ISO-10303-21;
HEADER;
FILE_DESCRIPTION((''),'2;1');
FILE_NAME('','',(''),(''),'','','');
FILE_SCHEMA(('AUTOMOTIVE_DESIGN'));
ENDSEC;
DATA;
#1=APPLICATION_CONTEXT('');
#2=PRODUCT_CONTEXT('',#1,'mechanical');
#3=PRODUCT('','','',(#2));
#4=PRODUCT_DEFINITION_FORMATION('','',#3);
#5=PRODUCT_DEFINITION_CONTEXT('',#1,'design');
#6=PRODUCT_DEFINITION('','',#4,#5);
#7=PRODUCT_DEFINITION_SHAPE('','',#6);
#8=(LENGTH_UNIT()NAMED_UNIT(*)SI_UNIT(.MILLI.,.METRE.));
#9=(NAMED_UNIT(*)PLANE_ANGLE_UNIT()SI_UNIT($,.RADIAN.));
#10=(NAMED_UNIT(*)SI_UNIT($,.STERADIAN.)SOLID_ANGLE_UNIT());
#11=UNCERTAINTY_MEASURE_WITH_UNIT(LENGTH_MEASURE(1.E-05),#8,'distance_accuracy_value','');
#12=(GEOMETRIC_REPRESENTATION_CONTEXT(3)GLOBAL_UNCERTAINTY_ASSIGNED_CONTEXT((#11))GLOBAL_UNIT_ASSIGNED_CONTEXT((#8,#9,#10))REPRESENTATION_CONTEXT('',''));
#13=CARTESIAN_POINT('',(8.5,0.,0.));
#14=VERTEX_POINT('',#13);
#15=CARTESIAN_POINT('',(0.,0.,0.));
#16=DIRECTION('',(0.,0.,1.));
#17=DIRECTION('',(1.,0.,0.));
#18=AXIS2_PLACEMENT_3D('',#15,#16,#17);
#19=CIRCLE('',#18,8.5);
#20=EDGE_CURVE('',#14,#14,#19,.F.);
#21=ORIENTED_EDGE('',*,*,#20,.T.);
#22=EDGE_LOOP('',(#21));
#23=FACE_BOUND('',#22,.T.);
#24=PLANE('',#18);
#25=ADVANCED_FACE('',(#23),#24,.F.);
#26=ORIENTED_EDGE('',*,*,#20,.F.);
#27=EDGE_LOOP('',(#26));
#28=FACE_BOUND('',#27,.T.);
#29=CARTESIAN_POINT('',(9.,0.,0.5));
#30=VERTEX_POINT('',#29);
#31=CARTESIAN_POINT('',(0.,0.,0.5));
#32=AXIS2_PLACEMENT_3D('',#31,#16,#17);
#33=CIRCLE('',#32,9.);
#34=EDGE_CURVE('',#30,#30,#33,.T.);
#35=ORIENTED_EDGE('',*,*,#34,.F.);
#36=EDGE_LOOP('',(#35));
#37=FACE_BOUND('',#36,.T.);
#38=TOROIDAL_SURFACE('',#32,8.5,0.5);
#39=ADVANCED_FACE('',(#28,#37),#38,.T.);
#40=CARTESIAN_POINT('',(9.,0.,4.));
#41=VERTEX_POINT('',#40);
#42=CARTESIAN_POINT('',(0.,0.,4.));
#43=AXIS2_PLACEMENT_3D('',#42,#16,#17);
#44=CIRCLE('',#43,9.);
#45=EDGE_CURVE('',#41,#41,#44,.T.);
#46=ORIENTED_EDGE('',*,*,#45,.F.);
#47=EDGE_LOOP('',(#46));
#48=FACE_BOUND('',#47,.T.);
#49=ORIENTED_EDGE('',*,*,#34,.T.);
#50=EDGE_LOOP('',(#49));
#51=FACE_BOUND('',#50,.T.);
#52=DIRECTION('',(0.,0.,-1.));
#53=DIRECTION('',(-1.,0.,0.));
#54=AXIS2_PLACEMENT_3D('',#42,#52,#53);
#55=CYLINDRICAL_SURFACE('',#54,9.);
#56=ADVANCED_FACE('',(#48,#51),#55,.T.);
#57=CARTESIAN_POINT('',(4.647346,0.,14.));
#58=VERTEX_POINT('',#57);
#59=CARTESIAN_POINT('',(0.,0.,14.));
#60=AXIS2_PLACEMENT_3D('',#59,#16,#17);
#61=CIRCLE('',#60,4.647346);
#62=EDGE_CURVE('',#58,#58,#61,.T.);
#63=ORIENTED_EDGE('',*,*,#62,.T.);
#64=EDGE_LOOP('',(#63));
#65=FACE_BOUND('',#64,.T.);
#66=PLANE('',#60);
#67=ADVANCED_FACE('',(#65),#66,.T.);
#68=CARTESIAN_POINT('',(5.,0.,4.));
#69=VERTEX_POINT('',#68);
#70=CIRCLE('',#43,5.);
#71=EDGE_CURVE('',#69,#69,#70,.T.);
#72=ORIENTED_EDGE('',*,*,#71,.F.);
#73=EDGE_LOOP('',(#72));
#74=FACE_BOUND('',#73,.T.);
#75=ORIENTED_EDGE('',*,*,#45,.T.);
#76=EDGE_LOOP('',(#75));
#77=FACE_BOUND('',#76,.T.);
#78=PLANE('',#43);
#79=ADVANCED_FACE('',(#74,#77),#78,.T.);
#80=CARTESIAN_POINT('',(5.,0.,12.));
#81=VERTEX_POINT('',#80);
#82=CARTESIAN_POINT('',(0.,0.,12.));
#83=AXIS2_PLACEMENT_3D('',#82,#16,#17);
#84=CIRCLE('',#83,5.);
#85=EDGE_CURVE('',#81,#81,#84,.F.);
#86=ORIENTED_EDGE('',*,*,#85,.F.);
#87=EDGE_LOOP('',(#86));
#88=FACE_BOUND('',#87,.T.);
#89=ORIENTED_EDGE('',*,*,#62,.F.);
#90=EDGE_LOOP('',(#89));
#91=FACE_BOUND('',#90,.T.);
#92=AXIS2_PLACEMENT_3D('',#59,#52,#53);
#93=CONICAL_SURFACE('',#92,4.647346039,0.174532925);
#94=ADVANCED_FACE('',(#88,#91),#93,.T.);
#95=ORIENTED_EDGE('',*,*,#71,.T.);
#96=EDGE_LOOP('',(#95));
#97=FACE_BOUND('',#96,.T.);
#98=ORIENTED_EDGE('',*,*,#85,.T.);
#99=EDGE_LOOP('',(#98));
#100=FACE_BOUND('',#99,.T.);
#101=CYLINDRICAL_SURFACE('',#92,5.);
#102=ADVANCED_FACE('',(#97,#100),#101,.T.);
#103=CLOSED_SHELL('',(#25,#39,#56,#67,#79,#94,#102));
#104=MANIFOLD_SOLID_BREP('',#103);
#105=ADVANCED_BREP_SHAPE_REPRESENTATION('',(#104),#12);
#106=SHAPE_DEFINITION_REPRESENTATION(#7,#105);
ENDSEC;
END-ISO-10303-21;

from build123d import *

# Parameters (mm, degrees)
SKETCH_1_R      = 9
EXTRUDE_1_DEPTH = 4
SKETCH_2_R      = 5
EXTRUDE_2_DEPTH = 10
FILLET_1_R      = 0.5
CHAMFER_1_SIZE  = 2
CHAMFER_1_SIZE2 = 0.352653961


with BuildPart() as part:
    # 草图1 → 凸台-拉伸1 (new body)
    with BuildSketch(Plane.XY):
        Circle(SKETCH_1_R)
    extrude(amount=EXTRUDE_1_DEPTH)

    # 草图2 → 凸台-拉伸2 (add)
    with BuildSketch(Plane.XY.offset(4)):
        Circle(SKETCH_2_R)
    extrude(amount=EXTRUDE_2_DEPTH)

    # 圆角1
    fillet_1_edges = [part.edges().sort_by_distance(p)[0] for p in [
        (-9, 0, 0),
    ]]
    fillet(fillet_1_edges, radius=FILLET_1_R)

    # 倒角1
    chamfer_1_edges = [part.edges().sort_by_distance(p)[0] for p in [
        (-5, 0, 14),
    ]]
    chamfer_1_side = [part.faces().sort_by_distance(p)[0] for p in [
        (-5, 0, 9),
    ]]
    chamfer(chamfer_1_edges, length=CHAMFER_1_SIZE, length2=CHAMFER_1_SIZE2, reference=chamfer_1_side[0])


solid = part.part
